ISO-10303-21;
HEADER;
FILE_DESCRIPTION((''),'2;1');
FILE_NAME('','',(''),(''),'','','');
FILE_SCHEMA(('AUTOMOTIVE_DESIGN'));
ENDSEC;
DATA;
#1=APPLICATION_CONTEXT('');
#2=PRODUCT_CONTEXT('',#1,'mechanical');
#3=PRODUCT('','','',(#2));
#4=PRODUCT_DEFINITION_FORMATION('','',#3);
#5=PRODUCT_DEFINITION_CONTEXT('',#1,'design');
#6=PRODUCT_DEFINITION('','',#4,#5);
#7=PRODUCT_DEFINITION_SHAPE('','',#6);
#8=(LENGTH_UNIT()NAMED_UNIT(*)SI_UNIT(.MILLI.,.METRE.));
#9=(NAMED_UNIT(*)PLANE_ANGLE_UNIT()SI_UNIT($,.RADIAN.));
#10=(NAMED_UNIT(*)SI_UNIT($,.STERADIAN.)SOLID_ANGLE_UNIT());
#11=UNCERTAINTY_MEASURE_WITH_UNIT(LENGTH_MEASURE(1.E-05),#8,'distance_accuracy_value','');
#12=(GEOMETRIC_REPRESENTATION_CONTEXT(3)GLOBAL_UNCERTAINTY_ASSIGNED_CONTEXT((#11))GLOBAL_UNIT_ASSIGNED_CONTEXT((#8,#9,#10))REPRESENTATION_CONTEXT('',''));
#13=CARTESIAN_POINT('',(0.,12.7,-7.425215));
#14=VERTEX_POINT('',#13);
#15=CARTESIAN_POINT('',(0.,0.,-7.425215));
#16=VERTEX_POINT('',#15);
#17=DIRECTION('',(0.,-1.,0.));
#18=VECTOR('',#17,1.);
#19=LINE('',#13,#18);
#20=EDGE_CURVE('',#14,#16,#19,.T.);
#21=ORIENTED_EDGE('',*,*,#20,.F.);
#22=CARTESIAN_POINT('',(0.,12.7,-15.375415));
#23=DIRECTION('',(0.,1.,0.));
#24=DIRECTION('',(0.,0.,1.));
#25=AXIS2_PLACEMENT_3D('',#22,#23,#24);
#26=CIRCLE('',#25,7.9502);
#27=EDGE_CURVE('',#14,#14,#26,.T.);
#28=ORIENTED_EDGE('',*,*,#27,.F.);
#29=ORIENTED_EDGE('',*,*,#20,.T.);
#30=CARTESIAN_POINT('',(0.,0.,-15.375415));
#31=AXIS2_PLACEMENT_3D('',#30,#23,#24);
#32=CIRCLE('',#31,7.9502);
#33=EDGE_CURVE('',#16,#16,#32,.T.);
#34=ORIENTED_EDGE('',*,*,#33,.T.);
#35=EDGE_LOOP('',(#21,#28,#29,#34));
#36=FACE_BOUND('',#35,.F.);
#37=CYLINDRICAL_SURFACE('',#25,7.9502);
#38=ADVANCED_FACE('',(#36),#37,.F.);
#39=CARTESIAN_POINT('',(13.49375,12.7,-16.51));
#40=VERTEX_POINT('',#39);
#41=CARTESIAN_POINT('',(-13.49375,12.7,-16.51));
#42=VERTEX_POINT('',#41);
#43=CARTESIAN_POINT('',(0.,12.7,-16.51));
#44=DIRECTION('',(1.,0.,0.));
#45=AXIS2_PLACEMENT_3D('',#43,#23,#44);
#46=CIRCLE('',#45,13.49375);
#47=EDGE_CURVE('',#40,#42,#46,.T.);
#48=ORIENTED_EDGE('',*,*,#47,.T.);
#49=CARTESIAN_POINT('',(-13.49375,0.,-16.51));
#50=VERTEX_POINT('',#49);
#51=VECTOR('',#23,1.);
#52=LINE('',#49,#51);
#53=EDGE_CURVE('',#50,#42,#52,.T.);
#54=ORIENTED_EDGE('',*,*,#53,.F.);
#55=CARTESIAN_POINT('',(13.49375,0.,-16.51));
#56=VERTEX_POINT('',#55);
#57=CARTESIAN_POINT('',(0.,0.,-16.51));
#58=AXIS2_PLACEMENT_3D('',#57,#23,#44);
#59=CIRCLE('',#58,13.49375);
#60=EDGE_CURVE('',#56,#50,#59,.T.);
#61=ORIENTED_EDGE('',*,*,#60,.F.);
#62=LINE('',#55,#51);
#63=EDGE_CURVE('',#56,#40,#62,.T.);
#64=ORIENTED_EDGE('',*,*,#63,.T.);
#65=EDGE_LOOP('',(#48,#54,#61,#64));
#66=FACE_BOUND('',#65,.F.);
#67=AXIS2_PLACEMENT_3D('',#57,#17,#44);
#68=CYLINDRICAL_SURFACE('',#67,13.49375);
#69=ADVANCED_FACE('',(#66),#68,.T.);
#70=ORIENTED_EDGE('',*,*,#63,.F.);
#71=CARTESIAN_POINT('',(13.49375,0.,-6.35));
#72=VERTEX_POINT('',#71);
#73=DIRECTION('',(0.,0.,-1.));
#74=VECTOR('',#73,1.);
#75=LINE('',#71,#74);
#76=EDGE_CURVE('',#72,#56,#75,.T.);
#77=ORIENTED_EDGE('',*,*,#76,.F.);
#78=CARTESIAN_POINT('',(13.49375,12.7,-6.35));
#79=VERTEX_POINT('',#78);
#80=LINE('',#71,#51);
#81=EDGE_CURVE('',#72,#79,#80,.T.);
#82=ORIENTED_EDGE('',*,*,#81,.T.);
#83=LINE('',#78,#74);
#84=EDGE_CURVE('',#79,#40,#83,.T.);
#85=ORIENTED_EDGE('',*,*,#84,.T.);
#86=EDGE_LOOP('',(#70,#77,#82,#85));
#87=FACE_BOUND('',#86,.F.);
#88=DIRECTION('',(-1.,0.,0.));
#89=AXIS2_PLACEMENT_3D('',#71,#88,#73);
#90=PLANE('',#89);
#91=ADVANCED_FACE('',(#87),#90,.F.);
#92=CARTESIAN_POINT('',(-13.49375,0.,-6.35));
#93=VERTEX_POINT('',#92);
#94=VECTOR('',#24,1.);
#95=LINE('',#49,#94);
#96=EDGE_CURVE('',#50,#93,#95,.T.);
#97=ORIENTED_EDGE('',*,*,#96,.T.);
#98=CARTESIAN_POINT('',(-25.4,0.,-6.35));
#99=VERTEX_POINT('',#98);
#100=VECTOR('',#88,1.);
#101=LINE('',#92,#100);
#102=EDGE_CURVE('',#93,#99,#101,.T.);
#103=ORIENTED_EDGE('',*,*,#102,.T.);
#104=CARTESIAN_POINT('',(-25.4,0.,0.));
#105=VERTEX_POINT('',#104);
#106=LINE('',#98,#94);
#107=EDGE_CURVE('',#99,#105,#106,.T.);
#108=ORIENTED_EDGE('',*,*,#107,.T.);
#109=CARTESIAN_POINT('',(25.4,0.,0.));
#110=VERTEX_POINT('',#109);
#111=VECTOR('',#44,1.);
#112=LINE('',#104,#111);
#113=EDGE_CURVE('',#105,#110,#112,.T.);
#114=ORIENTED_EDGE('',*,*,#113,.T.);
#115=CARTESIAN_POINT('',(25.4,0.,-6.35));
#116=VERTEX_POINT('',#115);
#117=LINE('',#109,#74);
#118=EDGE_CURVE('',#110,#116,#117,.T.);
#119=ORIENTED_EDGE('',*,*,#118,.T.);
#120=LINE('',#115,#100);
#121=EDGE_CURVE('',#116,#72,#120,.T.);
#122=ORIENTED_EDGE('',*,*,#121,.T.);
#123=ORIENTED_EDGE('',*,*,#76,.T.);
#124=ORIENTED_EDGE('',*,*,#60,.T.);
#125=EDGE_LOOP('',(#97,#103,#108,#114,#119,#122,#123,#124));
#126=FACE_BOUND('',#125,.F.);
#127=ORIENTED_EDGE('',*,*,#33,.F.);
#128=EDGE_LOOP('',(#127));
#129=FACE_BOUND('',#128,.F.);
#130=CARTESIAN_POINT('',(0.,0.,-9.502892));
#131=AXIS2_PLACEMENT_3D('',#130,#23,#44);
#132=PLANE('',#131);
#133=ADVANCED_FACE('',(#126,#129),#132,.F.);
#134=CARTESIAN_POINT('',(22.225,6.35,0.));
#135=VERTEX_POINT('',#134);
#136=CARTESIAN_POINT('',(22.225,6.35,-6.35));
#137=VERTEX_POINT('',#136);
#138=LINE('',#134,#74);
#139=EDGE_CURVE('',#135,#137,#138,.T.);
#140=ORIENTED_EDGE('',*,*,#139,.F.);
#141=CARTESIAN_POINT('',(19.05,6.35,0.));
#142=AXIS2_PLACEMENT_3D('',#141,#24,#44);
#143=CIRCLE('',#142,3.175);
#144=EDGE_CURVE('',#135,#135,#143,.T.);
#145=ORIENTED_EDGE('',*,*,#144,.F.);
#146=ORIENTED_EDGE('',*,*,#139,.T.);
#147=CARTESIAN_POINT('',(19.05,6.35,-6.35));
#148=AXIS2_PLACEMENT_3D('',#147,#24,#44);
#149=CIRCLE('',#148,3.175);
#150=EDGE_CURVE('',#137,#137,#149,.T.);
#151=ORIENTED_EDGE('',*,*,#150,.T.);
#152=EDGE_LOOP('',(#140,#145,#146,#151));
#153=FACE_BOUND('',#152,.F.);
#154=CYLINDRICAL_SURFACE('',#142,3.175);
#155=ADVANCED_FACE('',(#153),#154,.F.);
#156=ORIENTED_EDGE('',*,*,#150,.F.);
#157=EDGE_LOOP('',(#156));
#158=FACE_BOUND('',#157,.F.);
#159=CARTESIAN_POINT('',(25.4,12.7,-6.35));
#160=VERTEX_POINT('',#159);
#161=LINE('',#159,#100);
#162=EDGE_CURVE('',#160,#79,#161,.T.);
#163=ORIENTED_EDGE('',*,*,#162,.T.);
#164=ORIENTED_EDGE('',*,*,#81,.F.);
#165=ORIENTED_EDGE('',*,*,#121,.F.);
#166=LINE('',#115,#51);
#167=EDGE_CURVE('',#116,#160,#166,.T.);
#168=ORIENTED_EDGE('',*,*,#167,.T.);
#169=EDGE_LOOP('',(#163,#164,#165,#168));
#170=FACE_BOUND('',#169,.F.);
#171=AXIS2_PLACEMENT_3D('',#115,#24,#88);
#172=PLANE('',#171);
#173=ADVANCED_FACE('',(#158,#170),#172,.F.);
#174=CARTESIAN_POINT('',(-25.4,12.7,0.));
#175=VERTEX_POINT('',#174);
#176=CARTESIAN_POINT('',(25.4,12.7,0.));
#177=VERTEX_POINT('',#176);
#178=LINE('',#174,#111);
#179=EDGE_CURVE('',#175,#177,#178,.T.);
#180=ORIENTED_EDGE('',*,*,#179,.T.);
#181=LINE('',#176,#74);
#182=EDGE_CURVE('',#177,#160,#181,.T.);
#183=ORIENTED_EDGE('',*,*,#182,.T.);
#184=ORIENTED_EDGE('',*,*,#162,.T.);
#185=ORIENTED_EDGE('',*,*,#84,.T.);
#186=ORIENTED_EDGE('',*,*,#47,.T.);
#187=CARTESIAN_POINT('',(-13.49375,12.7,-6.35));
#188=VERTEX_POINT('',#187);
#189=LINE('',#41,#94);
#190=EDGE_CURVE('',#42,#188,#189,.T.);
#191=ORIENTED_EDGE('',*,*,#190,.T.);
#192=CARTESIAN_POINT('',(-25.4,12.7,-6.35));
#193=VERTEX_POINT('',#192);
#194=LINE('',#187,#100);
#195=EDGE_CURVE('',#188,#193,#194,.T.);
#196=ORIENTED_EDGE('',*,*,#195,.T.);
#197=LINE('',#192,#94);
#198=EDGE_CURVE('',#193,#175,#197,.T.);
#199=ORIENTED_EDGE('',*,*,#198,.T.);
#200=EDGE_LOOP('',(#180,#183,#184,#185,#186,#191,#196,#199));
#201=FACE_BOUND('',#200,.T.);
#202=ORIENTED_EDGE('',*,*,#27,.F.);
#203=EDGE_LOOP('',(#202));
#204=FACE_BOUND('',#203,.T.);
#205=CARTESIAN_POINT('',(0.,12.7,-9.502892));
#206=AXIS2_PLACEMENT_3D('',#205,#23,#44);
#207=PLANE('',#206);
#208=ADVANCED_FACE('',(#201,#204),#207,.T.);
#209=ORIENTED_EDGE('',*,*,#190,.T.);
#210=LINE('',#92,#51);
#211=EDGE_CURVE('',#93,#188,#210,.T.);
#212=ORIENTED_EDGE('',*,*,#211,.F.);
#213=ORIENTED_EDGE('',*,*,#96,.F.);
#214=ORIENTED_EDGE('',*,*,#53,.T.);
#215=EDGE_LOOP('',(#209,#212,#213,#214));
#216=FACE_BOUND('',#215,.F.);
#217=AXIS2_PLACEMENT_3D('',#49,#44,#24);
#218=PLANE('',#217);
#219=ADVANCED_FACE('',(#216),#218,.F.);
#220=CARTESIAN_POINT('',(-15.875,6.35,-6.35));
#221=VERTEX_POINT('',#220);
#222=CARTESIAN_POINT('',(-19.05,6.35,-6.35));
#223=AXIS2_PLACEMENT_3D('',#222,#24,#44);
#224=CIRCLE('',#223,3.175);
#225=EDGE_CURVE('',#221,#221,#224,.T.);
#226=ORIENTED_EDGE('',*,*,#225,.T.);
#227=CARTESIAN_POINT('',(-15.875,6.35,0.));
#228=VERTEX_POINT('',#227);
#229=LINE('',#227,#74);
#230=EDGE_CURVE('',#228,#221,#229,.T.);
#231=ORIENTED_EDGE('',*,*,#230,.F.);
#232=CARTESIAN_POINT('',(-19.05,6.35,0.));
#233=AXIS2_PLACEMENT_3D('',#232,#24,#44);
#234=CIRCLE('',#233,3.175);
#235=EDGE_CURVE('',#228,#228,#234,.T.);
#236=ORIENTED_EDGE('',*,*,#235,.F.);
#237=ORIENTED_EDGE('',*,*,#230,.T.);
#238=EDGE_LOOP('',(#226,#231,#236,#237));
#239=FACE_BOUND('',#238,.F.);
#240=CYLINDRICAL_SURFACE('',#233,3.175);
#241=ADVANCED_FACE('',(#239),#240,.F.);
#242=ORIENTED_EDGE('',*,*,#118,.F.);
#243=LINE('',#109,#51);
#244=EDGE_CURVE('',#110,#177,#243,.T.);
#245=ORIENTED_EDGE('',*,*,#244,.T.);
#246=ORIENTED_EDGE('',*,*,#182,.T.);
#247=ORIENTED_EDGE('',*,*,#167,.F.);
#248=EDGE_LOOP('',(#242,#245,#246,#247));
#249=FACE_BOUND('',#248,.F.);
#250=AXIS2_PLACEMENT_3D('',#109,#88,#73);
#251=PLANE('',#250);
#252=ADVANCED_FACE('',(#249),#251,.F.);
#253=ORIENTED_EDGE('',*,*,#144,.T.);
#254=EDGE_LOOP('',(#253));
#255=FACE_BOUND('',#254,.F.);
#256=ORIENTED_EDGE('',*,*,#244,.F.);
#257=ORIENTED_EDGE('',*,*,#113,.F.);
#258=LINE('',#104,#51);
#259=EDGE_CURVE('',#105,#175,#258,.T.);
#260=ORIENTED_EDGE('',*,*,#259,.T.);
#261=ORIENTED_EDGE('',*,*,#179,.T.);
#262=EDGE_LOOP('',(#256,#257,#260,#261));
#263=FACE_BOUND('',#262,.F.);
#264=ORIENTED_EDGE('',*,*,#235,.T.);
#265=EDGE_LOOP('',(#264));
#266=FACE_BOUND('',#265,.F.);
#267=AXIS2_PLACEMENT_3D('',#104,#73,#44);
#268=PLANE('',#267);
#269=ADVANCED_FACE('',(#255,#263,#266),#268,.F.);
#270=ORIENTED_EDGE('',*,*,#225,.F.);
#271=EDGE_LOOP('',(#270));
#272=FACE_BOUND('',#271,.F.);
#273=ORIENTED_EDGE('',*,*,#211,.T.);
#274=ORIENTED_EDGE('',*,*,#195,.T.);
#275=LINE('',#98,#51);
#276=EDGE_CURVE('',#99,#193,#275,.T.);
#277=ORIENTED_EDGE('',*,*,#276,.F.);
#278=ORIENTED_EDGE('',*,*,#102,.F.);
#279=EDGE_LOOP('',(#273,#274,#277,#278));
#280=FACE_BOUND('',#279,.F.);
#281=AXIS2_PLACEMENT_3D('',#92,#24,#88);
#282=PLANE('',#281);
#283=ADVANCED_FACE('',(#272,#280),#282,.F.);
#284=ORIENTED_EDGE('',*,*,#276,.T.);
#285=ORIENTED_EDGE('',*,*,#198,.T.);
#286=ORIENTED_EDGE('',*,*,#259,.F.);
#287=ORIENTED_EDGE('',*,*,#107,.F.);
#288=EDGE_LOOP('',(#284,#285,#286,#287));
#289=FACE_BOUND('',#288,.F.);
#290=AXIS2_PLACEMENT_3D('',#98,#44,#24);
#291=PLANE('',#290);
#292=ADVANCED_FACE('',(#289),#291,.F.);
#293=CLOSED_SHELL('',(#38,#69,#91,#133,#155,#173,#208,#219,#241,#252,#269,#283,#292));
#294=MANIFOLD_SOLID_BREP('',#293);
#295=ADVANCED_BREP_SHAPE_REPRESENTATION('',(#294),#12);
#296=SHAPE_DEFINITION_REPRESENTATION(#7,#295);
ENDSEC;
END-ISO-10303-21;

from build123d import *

# Parameters (mm, degrees)
BOSS_EXTRUDE1_DEPTH = 12.7
SKETCH2_R           = 7.9502
CUT_EXTRUDE1_DEPTH  = 42.311923389
SKETCH3_R           = 3.175
CUT_EXTRUDE2_DEPTH  = 42.311923389


with BuildPart() as part:
    # Sketch1 → Boss-Extrude1 (new body)
    with BuildSketch(Plane(origin=(0, 0, 0), x_dir=(1, 0, 0), z_dir=(0, 1, 0))):
        with BuildLine():
            Line((-25.4, 0), (25.4, 0))
            Line((25.4, 0), (25.4, 6.35))
            Line((25.4, 6.35), (13.49375, 6.35))
            Line((13.49375, 6.35), (13.49375, 16.51))
            ThreePointArc((13.49375, 16.51), (0, 30.00375), (-13.49375, 16.51))
            Line((-13.49375, 16.51), (-13.49375, 6.35))
            Line((-13.49375, 6.35), (-25.4, 6.35))
            Line((-25.4, 6.35), (-25.4, 0))
        make_face()
    extrude(amount=BOSS_EXTRUDE1_DEPTH)

    # Sketch2 → Cut-Extrude1 (cut, through all)
    with BuildSketch(Plane(origin=(0, 12.7, 0), x_dir=(1, 0, 0), z_dir=(0, 1, 0))):
        with Locations(Location((0, 15.375414513, 0), (0, 0, 270))):
            Circle(SKETCH2_R)
    extrude(amount=-CUT_EXTRUDE1_DEPTH, mode=Mode.SUBTRACT)

    # Sketch3 → Cut-Extrude2 (cut, through all)
    with BuildSketch(Plane.XY):
        with Locations((-19.05, 6.35)):
            Circle(SKETCH3_R)
        with Locations((19.05, 6.35)):
            Circle(SKETCH3_R)
    extrude(amount=-CUT_EXTRUDE2_DEPTH, mode=Mode.SUBTRACT)


solid = part.part
